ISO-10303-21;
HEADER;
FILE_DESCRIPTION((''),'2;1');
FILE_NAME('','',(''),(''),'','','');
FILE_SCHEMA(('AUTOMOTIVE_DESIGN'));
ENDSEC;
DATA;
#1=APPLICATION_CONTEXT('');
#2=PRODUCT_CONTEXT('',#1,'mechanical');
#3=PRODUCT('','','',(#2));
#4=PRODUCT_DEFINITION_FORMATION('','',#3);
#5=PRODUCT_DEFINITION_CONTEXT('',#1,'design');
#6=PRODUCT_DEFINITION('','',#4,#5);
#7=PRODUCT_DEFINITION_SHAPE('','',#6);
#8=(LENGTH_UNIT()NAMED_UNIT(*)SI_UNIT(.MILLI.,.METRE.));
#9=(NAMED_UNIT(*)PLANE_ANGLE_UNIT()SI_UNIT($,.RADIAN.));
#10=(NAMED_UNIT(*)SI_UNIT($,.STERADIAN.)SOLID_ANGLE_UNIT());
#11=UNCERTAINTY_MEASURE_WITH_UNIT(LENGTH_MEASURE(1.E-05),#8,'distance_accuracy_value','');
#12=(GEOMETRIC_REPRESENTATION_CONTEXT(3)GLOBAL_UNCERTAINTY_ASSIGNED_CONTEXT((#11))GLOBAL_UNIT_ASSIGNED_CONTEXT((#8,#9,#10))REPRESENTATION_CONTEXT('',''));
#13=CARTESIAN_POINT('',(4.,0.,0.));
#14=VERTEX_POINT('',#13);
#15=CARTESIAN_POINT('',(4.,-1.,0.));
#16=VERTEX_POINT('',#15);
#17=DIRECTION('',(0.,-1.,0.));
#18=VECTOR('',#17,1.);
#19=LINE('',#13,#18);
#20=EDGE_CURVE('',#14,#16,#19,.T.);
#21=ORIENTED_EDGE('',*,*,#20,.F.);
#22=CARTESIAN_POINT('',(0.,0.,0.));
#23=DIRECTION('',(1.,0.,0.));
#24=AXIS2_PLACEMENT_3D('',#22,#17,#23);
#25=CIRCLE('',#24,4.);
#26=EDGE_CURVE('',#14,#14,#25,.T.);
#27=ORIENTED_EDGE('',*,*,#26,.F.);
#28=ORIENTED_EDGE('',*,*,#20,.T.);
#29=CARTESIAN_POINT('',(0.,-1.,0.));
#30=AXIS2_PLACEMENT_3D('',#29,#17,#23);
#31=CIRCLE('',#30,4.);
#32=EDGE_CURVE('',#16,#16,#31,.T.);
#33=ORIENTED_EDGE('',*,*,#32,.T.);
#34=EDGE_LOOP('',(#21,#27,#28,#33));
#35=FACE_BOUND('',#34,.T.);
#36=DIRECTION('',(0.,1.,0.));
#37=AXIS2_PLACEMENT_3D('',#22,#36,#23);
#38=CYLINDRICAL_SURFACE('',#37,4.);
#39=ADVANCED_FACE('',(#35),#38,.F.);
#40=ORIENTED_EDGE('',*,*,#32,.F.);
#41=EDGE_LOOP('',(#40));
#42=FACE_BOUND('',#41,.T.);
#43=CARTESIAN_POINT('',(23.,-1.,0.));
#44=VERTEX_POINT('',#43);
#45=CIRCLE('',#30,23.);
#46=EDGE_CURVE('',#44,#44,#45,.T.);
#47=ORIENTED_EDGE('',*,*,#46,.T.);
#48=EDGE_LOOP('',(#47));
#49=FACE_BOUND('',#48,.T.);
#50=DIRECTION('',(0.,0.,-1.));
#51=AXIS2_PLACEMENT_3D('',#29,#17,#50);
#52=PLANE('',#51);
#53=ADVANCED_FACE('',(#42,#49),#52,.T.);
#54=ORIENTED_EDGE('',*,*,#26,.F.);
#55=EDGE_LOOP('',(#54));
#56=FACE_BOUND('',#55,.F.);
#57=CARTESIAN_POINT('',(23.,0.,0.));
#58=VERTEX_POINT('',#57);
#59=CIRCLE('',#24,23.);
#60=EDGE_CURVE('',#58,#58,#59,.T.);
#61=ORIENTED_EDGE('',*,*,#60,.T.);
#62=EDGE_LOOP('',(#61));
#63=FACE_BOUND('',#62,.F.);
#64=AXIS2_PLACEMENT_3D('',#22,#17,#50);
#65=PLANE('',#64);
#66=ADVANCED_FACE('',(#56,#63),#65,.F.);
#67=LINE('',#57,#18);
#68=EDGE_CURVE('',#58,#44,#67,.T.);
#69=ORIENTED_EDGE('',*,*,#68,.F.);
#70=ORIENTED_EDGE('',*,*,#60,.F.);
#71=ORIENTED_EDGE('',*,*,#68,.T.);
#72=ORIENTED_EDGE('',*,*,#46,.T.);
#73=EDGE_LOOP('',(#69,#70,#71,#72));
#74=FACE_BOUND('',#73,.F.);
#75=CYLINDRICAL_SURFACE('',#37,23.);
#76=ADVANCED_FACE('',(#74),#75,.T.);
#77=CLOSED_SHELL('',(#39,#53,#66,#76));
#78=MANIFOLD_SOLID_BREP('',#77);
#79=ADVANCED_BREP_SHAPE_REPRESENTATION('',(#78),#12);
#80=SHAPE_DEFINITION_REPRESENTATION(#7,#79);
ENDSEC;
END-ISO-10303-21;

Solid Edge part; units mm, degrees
sketch "Sketch1" plane through (0, 0, 0) normal (0, -1, 0) x (1, 0, 0)
  circle A0 centre (0, 0) radius 4
  circle A1 centre (0, 0) radius 23
extrude "Protrusion1" add sketch "Sketch1" along normal blind 1
properties material "Aluminum, 6061-T6"
